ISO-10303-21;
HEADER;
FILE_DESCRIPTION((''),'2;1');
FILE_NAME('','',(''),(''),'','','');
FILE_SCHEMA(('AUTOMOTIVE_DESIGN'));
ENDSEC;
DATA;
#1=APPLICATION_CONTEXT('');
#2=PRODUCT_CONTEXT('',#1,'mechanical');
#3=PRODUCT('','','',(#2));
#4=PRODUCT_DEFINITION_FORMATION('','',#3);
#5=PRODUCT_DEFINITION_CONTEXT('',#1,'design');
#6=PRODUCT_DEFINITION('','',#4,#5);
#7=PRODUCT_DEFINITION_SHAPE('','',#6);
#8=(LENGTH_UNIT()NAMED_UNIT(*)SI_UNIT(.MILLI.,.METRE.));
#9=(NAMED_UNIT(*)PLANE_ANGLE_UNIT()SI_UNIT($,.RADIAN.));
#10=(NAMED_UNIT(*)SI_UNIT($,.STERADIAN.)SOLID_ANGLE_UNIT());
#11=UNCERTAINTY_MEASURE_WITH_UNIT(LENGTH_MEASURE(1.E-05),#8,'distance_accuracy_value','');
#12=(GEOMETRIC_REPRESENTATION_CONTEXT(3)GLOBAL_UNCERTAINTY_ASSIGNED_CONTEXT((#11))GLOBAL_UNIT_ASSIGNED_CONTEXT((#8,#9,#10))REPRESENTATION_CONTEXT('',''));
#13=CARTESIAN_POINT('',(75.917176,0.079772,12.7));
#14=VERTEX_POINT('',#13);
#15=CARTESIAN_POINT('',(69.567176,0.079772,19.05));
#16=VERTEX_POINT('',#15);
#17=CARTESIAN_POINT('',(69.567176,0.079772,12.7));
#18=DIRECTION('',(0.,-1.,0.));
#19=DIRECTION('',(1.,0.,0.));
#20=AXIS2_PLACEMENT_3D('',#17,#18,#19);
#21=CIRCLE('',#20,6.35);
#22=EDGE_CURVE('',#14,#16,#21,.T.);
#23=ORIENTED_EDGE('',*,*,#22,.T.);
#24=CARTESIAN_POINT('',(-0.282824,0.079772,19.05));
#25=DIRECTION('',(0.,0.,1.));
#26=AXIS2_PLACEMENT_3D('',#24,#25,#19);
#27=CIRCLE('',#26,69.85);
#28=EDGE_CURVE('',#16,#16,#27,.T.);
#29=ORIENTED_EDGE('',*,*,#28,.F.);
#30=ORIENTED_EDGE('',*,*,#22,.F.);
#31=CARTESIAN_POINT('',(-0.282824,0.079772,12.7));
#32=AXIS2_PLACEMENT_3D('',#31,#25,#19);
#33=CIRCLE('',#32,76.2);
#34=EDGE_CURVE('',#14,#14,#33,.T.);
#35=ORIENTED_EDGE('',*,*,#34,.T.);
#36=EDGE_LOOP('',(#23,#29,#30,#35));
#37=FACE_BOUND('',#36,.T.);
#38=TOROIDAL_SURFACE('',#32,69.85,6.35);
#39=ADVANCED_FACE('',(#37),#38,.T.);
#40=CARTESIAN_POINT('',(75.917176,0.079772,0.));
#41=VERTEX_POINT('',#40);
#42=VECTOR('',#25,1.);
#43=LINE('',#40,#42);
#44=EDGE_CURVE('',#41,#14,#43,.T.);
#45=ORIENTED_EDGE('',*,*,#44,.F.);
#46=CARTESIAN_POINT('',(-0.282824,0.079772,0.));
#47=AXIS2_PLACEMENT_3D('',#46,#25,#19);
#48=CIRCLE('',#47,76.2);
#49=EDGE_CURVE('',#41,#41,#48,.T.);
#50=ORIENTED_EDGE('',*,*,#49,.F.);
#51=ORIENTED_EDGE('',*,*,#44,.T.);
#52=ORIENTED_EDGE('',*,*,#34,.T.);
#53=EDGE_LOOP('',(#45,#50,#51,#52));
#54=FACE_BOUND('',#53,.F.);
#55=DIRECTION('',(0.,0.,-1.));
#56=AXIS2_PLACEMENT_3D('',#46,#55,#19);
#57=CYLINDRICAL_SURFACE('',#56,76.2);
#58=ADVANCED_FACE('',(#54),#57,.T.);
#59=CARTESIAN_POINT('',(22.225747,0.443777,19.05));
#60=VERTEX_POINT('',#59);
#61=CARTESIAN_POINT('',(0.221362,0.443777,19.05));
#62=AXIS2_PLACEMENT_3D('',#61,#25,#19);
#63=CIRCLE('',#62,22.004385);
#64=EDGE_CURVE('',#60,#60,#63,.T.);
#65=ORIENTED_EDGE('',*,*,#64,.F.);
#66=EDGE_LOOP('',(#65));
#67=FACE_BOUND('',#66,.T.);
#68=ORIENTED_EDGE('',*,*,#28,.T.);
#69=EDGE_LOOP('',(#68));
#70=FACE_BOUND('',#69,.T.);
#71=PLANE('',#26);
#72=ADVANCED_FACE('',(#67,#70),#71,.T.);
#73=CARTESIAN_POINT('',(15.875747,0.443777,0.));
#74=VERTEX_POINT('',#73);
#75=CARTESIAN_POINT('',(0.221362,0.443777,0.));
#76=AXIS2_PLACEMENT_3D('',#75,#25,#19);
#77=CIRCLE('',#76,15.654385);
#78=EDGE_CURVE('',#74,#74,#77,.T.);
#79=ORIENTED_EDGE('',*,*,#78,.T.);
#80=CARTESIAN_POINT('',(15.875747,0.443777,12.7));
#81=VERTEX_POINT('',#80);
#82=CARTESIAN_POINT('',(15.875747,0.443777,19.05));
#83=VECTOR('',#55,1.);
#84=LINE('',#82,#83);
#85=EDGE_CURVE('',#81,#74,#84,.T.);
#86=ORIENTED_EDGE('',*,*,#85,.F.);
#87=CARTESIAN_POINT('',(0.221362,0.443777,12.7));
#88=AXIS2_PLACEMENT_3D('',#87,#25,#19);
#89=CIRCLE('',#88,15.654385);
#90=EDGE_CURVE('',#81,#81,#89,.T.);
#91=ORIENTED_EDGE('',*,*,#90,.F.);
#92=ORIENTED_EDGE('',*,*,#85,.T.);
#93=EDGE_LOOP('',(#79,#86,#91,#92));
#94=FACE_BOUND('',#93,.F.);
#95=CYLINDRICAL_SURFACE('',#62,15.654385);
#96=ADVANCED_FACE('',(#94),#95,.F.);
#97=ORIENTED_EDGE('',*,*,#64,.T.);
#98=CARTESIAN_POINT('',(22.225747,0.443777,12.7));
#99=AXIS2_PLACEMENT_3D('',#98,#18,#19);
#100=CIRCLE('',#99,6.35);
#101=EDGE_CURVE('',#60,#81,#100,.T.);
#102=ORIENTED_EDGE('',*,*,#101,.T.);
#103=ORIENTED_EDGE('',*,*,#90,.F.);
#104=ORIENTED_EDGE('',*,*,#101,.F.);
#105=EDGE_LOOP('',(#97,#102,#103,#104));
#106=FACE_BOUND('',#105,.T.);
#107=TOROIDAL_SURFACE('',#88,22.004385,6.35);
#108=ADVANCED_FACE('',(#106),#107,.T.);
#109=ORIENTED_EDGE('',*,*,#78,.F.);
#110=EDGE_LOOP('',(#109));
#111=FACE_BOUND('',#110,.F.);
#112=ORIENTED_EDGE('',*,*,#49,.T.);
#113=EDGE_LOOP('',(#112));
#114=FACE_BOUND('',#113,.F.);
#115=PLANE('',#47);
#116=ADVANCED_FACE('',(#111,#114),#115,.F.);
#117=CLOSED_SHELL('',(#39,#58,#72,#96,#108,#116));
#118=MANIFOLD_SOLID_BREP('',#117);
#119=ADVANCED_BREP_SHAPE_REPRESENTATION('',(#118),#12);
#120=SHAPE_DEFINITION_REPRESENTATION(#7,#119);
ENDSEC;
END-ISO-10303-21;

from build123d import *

# Parameters (mm, degrees)
F0_R     = 76.2
F1_DEPTH = 19.05
F2_R     = 15.6543846093
F3_DEPTH = 19.051
F4_R     = 6.35


with BuildPart() as f1:
    # F0 (on Top) → F1 (new body)
    with BuildSketch(Plane.XY):
        with Locations((-0.2828244178, 0.0797724133)):
            Circle(F0_R)
    extrude(amount=F1_DEPTH)

    # F2 (on face) → F3 (cut, through all)
    with BuildSketch(Plane.XY.offset(19.05)):
        with Locations((0.221362061, 0.4437770694)):
            Circle(F2_R)
    extrude(amount=-F3_DEPTH, mode=Mode.SUBTRACT)

    # F4
    f4_edges = [f1.edges().sort_by_distance(p)[0] for p in [
        (-76.482824, 0.079772, 19.05),
        (-15.433023, 0.443777, 19.05),
    ]]
    fillet(f4_edges, radius=F4_R)


solid = f1.part
